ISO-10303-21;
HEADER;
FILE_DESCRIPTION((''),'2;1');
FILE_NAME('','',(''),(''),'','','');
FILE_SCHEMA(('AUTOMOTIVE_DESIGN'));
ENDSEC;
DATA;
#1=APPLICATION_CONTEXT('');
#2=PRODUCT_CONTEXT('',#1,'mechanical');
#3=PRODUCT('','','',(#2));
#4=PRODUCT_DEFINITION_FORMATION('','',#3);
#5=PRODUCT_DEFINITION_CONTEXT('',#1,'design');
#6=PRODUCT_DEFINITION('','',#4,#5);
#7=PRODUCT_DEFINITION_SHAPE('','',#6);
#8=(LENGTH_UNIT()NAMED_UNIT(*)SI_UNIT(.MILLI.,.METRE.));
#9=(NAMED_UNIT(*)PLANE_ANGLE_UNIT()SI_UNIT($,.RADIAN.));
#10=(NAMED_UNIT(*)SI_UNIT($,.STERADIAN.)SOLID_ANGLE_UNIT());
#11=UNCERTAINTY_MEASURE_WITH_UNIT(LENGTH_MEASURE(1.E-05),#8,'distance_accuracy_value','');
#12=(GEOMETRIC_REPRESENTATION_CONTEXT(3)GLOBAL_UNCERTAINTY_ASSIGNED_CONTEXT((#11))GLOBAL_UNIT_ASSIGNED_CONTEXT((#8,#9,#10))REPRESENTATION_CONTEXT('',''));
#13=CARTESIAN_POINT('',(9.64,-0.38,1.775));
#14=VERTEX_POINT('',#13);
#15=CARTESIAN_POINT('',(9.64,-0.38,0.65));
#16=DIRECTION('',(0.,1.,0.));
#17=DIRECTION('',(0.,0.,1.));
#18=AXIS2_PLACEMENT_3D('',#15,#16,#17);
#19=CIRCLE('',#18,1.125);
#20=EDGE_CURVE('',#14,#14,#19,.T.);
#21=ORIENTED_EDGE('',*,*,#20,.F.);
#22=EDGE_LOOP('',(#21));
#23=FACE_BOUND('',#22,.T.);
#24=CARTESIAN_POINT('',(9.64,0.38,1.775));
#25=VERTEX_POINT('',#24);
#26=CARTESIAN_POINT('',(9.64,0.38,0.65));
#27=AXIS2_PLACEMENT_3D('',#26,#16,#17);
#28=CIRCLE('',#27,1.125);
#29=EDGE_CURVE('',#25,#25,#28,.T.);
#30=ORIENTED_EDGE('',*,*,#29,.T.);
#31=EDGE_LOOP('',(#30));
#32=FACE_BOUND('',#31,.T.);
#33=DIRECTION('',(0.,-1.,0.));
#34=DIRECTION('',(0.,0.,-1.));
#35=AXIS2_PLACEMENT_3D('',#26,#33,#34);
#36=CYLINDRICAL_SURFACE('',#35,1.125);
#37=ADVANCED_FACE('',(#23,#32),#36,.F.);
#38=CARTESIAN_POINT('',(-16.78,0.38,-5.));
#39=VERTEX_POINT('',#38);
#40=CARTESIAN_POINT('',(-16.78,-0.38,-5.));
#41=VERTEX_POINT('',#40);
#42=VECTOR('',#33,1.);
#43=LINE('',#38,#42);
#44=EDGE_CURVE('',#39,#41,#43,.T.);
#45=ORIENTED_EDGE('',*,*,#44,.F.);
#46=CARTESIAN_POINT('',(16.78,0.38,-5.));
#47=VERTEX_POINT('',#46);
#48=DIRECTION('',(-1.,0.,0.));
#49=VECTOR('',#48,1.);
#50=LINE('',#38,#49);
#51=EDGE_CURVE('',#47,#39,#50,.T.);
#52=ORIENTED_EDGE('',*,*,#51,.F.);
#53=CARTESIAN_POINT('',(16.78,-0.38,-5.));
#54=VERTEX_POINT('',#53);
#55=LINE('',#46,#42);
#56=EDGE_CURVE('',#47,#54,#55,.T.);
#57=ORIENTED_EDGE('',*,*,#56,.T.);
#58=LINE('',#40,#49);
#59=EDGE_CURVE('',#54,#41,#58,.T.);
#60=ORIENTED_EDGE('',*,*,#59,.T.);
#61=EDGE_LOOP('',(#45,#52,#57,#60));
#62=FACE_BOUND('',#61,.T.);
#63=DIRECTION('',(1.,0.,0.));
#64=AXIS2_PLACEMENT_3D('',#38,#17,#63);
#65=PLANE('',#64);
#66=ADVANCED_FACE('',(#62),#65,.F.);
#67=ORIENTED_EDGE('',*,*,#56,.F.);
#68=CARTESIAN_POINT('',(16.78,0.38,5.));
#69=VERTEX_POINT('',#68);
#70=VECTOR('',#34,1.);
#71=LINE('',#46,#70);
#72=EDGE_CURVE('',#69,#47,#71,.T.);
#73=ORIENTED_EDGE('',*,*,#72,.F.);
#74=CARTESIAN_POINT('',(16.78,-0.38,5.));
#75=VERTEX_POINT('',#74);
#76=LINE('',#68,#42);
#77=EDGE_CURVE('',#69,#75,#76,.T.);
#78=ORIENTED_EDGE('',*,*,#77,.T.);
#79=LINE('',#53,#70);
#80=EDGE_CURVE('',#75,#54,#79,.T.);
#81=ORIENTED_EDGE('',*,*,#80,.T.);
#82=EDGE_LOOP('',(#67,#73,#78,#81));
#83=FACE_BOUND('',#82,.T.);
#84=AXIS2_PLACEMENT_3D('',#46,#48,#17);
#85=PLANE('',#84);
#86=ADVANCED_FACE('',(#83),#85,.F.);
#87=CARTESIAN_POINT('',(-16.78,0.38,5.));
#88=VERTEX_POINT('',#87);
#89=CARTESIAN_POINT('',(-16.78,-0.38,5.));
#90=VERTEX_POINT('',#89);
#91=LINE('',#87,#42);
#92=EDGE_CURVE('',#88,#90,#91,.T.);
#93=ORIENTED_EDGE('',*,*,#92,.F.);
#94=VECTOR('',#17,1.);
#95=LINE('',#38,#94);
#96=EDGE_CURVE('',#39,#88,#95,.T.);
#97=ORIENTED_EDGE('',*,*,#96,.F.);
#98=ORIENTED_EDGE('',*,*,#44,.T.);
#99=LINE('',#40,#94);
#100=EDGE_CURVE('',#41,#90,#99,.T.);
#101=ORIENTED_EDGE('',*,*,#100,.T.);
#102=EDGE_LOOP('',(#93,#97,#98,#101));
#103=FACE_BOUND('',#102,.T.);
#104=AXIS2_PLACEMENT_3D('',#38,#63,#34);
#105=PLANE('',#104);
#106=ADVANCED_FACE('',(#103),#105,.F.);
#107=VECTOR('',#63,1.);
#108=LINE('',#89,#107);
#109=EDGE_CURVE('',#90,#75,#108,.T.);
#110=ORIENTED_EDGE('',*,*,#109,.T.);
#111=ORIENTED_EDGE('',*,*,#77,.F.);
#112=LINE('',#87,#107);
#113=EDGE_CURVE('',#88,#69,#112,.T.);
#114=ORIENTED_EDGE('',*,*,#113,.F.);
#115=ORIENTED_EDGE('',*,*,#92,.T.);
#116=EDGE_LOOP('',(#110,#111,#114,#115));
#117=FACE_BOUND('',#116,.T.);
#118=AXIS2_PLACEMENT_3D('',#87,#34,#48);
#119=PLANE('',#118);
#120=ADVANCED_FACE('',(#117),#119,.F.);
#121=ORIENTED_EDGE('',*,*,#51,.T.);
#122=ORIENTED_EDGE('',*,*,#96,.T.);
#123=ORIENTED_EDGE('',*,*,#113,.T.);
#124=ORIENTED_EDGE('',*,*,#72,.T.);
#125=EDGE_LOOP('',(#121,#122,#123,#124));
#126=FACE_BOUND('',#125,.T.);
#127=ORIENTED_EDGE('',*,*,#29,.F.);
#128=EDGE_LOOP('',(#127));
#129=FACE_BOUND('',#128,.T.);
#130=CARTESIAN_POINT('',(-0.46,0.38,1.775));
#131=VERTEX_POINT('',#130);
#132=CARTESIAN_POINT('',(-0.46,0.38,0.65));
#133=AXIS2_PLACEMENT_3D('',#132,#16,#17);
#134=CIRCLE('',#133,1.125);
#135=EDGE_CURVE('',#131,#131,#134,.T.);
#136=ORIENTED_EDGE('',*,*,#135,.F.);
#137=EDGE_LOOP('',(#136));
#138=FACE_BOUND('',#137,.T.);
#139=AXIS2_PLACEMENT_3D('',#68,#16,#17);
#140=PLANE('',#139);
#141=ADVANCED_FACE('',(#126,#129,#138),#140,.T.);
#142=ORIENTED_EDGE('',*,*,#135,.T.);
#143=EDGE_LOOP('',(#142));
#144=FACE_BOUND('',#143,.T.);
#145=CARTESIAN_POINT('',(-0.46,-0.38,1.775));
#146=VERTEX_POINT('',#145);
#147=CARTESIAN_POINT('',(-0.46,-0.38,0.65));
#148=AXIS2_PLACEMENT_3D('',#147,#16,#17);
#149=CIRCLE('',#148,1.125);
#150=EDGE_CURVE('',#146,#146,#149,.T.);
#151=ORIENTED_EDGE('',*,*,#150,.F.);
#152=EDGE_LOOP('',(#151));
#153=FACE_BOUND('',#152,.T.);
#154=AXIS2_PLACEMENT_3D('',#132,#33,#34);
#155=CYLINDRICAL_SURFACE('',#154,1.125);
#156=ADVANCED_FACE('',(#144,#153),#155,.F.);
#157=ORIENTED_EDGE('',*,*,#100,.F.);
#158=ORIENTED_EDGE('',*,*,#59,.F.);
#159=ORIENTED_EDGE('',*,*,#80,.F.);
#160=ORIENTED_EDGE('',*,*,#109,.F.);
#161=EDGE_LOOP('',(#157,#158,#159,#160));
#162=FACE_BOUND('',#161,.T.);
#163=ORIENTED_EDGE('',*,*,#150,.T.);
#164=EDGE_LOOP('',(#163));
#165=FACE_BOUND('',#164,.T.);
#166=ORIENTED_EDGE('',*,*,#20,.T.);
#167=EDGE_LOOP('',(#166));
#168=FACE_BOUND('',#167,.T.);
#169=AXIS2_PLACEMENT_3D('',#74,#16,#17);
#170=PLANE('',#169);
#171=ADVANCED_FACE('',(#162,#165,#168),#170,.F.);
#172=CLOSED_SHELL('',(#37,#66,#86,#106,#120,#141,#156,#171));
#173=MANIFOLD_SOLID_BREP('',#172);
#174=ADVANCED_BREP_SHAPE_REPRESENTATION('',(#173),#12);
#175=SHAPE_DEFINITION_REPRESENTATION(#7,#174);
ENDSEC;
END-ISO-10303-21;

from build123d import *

# Parameters (mm, degrees)
SKETCH1_W           = 33.56
SKETCH1_H           = 10
SKETCH1_R           = 1.125
BOSS_EXTRUDE1_DEPTH = 0.38


with BuildPart() as part:
    # Sketch1 → Boss-Extrude1 (new body, symmetric)
    with BuildSketch(Plane(origin=(0, 0, 0), x_dir=(1, 0, 0), z_dir=(0, 1, 0))):
        Rectangle(SKETCH1_W, SKETCH1_H)
        with Locations(Location((-0.46, -0.65, 0), (0, 0, 270))):  # turned: the seam where the file's is
            Circle(SKETCH1_R, mode=Mode.SUBTRACT)
        with Locations(Location((9.64, -0.65, 0), (0, 0, 270))):  # turned: the seam where the file's is
            Circle(SKETCH1_R, mode=Mode.SUBTRACT)
    extrude(amount=BOSS_EXTRUDE1_DEPTH, both=True)


solid = part.part
